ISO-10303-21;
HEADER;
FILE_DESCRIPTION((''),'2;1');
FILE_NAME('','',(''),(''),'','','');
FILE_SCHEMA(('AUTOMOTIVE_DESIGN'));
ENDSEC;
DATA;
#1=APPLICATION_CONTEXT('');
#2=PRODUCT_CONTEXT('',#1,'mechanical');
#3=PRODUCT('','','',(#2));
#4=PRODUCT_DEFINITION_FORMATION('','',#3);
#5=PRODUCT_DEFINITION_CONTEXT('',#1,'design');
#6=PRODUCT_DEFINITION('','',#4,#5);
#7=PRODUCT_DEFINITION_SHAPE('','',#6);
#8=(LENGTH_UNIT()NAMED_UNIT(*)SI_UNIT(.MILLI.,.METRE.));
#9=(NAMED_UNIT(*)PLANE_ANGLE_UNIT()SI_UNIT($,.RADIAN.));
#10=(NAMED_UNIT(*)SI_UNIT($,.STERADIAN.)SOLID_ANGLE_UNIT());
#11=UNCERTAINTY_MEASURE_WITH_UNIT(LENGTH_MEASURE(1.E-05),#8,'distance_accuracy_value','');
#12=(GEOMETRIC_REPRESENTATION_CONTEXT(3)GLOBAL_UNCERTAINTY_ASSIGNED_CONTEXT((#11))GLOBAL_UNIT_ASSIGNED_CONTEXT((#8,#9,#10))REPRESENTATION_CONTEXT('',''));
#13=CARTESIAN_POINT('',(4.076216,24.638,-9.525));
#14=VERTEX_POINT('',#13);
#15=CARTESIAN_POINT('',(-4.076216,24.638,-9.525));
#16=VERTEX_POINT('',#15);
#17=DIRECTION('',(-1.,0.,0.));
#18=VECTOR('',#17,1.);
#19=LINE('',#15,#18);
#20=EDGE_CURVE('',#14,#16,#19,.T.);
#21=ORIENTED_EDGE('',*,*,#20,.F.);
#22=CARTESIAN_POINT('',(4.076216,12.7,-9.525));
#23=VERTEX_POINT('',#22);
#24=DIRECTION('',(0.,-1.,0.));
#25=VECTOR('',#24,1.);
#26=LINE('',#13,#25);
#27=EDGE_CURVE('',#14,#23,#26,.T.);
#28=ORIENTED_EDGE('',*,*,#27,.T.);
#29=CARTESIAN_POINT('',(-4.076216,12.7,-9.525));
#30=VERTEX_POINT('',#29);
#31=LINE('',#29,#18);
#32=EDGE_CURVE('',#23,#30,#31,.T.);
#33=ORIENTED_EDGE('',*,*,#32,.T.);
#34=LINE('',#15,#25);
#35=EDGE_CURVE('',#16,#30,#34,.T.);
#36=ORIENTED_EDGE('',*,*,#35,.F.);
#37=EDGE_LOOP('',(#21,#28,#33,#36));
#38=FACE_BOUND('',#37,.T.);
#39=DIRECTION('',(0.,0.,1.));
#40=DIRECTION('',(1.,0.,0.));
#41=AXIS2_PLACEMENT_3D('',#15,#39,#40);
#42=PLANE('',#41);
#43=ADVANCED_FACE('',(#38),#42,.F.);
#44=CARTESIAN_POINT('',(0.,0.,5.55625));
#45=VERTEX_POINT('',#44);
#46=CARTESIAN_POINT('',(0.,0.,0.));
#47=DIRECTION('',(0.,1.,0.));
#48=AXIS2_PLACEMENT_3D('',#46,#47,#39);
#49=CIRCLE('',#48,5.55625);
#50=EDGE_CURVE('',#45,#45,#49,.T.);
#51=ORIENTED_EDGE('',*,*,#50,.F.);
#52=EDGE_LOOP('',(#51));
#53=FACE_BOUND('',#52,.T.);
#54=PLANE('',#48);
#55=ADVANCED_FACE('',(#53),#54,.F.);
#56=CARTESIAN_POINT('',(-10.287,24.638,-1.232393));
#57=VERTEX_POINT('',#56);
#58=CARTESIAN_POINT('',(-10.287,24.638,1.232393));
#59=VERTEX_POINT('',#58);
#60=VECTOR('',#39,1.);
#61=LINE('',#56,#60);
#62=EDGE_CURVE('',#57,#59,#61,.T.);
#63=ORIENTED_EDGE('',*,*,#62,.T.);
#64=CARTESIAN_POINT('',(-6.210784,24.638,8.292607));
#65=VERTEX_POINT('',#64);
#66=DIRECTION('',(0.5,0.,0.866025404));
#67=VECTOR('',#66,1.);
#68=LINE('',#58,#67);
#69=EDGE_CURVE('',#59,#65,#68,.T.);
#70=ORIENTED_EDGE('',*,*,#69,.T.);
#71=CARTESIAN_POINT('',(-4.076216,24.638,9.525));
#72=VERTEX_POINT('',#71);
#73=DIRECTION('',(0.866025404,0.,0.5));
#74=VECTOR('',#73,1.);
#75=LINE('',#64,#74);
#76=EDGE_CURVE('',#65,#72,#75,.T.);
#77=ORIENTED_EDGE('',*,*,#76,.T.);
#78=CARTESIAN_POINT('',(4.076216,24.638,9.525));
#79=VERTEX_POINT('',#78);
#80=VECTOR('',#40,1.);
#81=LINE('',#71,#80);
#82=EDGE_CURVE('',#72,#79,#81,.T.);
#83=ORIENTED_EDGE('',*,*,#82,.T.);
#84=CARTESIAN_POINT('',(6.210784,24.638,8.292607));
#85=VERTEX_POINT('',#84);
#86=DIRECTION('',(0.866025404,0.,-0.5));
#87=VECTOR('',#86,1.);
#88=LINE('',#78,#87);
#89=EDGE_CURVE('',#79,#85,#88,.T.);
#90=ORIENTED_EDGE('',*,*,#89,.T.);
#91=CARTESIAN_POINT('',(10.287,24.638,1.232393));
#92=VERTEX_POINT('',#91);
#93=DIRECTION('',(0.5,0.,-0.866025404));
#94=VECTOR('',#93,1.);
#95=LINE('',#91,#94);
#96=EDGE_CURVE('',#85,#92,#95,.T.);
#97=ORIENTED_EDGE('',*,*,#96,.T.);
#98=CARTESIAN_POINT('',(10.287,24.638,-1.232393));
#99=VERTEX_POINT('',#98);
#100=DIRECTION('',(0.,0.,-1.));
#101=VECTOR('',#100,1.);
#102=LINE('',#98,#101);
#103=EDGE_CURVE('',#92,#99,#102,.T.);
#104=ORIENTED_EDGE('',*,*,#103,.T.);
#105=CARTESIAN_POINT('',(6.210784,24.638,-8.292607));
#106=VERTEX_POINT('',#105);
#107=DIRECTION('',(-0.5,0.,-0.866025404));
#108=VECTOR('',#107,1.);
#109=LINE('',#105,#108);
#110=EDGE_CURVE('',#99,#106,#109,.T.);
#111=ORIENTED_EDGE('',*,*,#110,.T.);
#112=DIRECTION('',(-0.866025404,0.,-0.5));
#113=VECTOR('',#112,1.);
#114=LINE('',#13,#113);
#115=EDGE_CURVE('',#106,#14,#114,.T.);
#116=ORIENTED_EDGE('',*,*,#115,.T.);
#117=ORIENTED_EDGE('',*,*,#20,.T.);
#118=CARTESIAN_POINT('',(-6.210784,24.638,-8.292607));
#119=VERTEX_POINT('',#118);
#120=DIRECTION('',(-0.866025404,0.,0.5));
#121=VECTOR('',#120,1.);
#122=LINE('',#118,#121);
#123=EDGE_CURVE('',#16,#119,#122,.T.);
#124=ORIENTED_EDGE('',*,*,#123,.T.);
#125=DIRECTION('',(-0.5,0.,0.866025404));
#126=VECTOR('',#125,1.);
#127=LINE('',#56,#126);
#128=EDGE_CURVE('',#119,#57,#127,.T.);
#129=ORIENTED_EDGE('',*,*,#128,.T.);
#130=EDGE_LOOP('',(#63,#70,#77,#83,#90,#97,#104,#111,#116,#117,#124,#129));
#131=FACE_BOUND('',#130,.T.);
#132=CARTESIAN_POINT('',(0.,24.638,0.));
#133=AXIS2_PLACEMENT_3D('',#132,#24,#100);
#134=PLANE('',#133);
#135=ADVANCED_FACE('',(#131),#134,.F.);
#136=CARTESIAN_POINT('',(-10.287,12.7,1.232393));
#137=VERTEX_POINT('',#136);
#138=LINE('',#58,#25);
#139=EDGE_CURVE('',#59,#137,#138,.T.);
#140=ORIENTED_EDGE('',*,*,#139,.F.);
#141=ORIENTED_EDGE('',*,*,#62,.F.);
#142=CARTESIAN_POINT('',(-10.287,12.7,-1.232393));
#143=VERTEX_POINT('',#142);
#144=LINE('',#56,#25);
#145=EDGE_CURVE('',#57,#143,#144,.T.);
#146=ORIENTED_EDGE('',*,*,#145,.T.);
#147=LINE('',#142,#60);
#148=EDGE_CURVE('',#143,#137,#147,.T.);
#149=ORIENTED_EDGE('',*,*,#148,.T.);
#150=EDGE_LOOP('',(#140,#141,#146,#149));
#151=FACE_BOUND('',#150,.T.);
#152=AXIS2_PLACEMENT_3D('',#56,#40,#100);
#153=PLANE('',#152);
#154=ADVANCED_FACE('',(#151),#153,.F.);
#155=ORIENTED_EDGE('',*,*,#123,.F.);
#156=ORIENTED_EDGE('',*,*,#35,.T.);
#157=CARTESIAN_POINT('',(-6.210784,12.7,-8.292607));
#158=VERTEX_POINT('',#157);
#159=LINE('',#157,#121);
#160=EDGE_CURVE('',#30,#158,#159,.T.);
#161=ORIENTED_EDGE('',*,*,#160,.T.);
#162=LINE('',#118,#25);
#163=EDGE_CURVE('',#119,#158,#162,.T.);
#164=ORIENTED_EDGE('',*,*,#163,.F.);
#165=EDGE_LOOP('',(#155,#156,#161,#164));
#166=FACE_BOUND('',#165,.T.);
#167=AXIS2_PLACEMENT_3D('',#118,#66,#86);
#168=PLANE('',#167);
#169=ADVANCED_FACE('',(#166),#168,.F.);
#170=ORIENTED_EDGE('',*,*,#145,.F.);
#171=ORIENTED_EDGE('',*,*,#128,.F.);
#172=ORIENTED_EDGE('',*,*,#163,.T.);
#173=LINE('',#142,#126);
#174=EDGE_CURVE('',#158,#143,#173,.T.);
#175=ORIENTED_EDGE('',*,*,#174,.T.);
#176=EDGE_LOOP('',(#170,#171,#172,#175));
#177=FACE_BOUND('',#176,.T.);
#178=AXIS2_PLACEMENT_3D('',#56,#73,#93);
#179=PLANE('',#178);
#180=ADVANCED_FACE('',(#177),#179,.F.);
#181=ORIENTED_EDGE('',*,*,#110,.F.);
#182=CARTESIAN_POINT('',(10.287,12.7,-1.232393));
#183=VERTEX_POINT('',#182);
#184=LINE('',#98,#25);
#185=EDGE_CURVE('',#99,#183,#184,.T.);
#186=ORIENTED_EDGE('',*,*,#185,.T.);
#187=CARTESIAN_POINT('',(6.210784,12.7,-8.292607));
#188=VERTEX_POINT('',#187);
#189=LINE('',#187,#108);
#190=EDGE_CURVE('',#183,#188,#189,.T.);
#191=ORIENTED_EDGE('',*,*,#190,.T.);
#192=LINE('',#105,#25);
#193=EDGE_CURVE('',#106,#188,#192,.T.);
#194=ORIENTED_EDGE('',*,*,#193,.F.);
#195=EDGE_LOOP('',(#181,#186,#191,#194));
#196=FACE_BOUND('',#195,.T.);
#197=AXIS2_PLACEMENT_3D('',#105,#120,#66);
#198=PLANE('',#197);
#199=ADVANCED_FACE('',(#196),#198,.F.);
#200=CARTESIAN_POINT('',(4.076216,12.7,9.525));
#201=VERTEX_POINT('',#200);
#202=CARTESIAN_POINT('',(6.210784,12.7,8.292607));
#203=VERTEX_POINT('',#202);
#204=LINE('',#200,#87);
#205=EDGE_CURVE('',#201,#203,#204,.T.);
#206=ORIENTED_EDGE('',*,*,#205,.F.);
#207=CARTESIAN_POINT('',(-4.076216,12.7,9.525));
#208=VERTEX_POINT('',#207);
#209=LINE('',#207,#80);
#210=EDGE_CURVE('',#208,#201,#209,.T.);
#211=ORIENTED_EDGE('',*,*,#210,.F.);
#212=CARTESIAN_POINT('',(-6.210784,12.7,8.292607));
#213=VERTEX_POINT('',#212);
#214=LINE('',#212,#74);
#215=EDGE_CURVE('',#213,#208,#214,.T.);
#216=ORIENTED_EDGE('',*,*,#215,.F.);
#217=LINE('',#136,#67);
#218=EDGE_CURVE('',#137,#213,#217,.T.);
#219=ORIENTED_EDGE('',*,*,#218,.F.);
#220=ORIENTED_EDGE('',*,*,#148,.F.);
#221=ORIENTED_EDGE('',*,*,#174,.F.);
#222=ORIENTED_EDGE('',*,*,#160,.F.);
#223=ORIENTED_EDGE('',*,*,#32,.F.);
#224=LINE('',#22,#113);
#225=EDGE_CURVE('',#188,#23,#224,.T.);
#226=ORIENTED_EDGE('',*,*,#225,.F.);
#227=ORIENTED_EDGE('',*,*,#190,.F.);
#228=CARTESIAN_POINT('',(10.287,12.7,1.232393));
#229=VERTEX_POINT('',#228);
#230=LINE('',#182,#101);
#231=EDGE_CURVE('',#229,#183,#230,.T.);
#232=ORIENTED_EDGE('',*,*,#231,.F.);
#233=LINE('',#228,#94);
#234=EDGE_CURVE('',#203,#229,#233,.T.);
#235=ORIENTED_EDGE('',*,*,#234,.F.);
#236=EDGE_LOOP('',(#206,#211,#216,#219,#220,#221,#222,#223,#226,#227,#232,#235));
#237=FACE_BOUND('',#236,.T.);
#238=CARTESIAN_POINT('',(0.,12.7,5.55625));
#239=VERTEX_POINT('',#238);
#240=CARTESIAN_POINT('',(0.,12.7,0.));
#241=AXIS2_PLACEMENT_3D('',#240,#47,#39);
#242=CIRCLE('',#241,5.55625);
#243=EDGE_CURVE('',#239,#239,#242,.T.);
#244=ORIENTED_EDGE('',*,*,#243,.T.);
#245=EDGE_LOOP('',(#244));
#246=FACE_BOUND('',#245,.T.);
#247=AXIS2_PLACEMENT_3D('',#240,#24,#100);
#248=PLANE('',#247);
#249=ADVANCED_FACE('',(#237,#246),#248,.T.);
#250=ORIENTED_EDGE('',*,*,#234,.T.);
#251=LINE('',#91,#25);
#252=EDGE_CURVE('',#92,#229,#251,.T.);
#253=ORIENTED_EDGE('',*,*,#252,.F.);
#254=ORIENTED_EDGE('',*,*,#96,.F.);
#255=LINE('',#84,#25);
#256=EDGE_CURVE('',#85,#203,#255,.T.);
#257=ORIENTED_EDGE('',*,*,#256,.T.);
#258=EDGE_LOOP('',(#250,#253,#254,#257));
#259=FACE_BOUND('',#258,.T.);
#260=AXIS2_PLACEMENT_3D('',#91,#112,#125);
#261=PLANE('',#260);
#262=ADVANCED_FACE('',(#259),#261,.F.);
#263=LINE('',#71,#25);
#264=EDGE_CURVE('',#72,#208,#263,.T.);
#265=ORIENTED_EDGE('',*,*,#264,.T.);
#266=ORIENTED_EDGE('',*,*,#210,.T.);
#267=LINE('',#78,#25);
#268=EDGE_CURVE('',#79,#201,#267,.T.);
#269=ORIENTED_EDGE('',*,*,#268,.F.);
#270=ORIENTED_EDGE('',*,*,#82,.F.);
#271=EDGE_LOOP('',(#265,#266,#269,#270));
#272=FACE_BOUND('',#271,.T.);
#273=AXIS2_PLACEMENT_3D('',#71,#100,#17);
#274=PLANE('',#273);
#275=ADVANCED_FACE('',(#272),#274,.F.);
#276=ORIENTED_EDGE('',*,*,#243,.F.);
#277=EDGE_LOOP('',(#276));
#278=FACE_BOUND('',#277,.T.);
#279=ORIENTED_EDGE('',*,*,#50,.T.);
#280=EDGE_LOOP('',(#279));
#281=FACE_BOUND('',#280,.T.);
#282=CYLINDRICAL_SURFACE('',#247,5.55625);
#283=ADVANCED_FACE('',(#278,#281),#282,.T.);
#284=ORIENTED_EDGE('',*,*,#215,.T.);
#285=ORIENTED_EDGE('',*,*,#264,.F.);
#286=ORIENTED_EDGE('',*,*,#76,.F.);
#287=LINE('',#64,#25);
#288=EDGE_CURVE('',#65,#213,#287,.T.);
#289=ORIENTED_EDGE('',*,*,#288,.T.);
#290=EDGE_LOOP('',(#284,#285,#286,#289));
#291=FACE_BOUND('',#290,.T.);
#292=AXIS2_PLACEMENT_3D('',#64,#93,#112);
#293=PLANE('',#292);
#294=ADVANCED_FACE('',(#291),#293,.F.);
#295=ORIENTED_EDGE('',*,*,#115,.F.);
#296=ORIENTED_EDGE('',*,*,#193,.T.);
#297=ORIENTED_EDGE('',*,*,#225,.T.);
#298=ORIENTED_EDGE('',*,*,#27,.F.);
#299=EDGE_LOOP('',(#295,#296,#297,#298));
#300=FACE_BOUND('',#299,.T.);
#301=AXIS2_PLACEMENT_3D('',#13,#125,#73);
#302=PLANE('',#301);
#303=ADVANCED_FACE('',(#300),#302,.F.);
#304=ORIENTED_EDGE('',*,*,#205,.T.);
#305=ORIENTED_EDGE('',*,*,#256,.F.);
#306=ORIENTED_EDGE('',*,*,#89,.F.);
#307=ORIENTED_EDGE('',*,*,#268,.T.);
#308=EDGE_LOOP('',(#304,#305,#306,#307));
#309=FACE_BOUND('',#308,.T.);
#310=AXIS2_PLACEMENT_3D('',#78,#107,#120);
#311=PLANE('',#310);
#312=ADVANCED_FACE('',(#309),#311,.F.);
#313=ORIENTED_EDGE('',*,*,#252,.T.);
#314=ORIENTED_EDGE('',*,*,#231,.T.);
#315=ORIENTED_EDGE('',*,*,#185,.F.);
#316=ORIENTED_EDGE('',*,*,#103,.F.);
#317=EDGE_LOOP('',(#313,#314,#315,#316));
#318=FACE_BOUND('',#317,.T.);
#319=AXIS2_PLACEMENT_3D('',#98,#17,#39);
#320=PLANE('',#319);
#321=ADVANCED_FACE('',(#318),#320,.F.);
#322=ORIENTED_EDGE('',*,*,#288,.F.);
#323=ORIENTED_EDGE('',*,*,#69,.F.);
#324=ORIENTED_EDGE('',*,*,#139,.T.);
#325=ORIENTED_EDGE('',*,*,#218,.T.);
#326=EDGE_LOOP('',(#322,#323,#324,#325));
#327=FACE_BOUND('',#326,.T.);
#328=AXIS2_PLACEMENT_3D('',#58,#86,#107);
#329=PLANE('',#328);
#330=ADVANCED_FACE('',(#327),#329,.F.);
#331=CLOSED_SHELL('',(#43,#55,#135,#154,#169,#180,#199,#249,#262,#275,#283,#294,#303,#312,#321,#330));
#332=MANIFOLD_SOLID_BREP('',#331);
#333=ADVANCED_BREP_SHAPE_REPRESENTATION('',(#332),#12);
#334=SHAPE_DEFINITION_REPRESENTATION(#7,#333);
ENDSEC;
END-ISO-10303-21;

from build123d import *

# Parameters (mm, degrees)
SKETCH1_R           = 5.55625
BOSS_EXTRUDE1_DEPTH = 12.7
BOSS_EXTRUDE2_DEPTH = 11.938


with BuildPart() as part:
    # Sketch1 → Boss-Extrude1 (new body)
    with BuildSketch(Plane(origin=(0, 0, 0), x_dir=(1, 0, 0), z_dir=(0, 1, 0))):
        Circle(SKETCH1_R)
    extrude(amount=BOSS_EXTRUDE1_DEPTH)

    # Sketch3 → Boss-Extrude2 (add)
    with BuildSketch(Plane(origin=(0, 12.7, 0), x_dir=(1, 0, 0), z_dir=(0, 1, 0))):
        Polygon((-10.287, 1.232393343), (-10.287, -1.232393343), (-6.210783894, -8.292606741), (-4.076216154, -9.525), (4.076216154, -9.525), (6.210783894, -8.292606741), (10.287, -1.232393343), (10.287, 1.232393343), (6.210783894, 8.292606741), (4.076216154, 9.525), (-4.076216154, 9.525), (-6.210783894, 8.292606741), align=None)
    extrude(amount=BOSS_EXTRUDE2_DEPTH)


solid = part.part
